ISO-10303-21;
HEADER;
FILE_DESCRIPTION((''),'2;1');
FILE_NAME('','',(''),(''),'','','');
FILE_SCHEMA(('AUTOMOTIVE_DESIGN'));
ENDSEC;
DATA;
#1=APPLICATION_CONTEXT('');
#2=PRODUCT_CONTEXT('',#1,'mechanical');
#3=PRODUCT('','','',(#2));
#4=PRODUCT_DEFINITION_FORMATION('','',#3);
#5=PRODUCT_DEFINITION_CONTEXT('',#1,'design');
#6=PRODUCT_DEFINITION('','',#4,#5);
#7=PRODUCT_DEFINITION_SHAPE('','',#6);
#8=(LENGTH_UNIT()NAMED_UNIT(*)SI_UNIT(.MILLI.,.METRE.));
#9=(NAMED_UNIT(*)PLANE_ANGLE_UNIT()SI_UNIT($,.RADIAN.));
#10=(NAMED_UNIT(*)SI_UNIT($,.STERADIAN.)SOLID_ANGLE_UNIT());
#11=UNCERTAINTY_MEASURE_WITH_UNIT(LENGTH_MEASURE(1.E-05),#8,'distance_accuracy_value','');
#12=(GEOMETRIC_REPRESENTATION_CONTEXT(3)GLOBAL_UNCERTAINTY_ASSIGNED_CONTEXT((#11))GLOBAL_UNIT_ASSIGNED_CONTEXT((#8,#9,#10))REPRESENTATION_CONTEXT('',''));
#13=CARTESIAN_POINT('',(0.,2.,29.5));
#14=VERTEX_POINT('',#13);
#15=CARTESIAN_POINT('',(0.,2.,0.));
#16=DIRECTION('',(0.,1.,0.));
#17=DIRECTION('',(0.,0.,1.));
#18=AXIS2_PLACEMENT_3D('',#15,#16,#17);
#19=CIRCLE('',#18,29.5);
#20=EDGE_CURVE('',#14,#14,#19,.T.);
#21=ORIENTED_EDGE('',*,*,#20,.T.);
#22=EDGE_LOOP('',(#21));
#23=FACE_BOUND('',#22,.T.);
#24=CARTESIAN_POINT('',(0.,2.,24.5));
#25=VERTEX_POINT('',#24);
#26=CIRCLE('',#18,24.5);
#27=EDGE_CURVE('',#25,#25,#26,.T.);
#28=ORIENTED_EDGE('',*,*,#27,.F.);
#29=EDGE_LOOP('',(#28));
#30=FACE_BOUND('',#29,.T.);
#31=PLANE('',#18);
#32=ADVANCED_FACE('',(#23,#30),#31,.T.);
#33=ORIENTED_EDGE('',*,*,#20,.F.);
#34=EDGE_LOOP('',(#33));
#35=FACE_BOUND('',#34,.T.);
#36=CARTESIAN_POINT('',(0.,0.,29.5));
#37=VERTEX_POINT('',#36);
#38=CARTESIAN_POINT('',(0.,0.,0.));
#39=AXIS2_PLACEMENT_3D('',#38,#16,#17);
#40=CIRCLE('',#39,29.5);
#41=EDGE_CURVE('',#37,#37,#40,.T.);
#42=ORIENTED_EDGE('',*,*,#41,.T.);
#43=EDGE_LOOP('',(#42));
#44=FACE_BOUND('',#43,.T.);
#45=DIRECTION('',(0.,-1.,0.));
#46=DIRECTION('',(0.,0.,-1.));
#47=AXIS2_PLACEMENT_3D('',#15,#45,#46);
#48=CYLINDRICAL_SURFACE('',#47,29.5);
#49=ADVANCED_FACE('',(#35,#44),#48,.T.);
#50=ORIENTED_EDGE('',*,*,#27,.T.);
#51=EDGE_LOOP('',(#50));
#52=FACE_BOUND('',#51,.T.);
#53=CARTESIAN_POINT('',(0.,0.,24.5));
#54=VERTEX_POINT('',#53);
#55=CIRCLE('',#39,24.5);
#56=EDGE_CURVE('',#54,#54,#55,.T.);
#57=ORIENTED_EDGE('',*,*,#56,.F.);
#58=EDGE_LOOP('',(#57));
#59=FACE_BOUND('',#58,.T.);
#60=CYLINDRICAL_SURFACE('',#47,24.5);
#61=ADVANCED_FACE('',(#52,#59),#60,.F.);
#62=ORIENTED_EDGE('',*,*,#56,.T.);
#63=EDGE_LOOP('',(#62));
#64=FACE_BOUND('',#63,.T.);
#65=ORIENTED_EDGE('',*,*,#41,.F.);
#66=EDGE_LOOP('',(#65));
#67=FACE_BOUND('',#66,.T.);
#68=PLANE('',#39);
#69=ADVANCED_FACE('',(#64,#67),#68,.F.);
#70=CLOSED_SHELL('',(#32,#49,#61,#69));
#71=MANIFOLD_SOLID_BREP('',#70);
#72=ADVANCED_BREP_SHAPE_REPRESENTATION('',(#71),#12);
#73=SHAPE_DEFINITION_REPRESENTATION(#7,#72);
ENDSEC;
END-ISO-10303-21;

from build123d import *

# Parameters (mm, degrees)
SKETCH_1_R      = 29.5
SKETCH_1_R_2    = 24.5
EXTRUDE_1_DEPTH = 2


with BuildPart() as part:
    # Эскиз1 → Бобышка-Вытянуть1 (new body)
    with BuildSketch(Plane(origin=(0, 0, 0), x_dir=(1, 0, 0), z_dir=(0, 1, 0))):
        with Locations(Location((0, 0, 0), (0, 0, 270))):
            Circle(SKETCH_1_R)
        with Locations(Location((0, 0, 0), (0, 0, 270))):
            Circle(SKETCH_1_R_2, mode=Mode.SUBTRACT)
    extrude(amount=EXTRUDE_1_DEPTH)


solid = part.part
